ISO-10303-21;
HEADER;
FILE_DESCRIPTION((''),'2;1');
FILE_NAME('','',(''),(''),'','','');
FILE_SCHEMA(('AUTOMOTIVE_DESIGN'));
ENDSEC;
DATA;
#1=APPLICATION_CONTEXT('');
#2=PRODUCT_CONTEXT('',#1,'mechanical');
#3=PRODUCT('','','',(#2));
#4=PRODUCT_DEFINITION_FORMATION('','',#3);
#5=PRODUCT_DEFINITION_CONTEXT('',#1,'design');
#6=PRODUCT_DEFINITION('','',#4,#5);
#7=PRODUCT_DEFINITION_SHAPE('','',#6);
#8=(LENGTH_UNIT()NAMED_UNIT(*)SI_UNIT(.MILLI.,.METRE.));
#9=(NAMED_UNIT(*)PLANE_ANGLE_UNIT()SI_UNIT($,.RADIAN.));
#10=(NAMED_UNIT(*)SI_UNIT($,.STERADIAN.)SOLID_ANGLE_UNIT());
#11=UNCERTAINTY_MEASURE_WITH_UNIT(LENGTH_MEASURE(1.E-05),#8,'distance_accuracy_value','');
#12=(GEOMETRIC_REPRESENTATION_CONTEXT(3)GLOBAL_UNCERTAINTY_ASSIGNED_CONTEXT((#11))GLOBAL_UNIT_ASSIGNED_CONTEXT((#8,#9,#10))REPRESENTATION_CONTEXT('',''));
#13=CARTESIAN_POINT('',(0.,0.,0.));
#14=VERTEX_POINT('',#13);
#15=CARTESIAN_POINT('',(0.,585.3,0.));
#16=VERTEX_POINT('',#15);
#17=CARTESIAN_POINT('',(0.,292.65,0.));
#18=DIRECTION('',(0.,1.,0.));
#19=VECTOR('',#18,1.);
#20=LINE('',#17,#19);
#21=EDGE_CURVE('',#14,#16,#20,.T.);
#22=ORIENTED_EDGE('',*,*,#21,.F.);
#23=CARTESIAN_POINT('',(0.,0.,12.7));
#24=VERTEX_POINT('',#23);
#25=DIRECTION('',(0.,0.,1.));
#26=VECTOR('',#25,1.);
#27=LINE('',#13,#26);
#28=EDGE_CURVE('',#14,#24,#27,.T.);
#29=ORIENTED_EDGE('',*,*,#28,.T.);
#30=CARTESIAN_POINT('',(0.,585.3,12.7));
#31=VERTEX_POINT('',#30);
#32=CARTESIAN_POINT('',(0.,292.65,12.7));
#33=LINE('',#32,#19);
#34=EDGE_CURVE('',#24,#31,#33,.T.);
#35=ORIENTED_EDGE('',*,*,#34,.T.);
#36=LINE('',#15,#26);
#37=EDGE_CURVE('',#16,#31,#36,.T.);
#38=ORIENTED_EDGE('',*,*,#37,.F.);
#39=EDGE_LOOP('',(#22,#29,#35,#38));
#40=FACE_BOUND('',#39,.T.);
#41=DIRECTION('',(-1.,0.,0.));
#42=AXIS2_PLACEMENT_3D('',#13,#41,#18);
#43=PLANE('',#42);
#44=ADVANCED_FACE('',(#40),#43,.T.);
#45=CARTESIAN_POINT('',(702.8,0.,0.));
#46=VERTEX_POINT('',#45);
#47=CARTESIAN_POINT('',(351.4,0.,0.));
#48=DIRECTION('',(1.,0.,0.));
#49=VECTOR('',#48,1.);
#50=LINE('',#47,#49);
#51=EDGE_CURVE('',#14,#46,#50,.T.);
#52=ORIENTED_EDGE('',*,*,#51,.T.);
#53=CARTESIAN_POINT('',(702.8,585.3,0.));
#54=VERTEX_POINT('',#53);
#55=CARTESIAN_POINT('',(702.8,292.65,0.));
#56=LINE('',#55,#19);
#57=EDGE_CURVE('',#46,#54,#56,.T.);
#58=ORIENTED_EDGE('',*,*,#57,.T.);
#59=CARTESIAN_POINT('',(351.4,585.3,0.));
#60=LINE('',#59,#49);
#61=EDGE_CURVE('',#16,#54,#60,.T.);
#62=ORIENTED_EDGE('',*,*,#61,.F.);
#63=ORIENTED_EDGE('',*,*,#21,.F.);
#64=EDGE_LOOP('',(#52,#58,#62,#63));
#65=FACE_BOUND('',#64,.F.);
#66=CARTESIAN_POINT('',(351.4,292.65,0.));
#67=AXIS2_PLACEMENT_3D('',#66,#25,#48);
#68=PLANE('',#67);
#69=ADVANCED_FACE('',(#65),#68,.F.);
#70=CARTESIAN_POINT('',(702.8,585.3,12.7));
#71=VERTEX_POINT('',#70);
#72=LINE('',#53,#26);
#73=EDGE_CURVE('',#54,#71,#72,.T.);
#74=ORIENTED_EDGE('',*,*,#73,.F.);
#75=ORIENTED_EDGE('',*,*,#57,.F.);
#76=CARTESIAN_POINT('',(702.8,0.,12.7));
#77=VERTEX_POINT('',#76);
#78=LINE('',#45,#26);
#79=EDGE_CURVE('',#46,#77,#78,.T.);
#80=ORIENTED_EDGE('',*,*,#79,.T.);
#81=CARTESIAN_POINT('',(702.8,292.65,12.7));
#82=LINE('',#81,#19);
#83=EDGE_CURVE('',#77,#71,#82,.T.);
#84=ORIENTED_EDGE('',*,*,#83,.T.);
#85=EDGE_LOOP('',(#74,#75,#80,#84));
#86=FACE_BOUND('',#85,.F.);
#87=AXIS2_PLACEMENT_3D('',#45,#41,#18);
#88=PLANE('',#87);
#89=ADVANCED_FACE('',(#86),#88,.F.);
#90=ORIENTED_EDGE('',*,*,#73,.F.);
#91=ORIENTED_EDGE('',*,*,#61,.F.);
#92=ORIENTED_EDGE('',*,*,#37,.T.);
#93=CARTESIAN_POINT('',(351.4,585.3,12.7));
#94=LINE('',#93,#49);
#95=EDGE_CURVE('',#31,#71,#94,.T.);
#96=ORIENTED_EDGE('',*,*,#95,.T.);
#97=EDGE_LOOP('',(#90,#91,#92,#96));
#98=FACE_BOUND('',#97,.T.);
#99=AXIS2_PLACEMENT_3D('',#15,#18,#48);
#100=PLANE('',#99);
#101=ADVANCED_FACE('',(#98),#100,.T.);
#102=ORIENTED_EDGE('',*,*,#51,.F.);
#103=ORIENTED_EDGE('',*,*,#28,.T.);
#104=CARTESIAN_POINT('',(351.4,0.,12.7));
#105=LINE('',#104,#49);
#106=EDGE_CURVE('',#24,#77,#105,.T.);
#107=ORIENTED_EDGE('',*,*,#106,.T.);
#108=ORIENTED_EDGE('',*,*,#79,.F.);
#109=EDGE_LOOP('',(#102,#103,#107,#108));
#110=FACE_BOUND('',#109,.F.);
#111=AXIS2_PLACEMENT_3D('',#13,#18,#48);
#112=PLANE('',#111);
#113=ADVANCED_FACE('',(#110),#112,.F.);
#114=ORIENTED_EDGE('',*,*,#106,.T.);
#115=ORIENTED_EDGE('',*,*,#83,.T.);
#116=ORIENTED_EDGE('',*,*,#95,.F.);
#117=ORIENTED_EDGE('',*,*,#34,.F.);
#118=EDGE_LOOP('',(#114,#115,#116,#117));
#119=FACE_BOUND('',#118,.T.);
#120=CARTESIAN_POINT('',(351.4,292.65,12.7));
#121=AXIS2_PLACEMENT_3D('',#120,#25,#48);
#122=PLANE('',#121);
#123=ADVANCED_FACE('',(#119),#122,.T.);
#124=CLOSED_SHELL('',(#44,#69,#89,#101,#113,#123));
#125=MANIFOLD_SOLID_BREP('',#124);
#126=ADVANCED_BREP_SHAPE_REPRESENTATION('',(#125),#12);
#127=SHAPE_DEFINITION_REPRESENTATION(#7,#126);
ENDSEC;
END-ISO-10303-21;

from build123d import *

# Parameters (mm, degrees)
SKETCH_W  = 702.8
SKETCH_H  = 585.3
PAD_DEPTH = 12.7


with BuildPart() as part:
    # Sketch → Pad (new body)
    with BuildSketch(Plane.XY):
        with Locations((351.4, 292.65)):
            Rectangle(SKETCH_W, SKETCH_H)
    extrude(amount=PAD_DEPTH)


solid = part.part
